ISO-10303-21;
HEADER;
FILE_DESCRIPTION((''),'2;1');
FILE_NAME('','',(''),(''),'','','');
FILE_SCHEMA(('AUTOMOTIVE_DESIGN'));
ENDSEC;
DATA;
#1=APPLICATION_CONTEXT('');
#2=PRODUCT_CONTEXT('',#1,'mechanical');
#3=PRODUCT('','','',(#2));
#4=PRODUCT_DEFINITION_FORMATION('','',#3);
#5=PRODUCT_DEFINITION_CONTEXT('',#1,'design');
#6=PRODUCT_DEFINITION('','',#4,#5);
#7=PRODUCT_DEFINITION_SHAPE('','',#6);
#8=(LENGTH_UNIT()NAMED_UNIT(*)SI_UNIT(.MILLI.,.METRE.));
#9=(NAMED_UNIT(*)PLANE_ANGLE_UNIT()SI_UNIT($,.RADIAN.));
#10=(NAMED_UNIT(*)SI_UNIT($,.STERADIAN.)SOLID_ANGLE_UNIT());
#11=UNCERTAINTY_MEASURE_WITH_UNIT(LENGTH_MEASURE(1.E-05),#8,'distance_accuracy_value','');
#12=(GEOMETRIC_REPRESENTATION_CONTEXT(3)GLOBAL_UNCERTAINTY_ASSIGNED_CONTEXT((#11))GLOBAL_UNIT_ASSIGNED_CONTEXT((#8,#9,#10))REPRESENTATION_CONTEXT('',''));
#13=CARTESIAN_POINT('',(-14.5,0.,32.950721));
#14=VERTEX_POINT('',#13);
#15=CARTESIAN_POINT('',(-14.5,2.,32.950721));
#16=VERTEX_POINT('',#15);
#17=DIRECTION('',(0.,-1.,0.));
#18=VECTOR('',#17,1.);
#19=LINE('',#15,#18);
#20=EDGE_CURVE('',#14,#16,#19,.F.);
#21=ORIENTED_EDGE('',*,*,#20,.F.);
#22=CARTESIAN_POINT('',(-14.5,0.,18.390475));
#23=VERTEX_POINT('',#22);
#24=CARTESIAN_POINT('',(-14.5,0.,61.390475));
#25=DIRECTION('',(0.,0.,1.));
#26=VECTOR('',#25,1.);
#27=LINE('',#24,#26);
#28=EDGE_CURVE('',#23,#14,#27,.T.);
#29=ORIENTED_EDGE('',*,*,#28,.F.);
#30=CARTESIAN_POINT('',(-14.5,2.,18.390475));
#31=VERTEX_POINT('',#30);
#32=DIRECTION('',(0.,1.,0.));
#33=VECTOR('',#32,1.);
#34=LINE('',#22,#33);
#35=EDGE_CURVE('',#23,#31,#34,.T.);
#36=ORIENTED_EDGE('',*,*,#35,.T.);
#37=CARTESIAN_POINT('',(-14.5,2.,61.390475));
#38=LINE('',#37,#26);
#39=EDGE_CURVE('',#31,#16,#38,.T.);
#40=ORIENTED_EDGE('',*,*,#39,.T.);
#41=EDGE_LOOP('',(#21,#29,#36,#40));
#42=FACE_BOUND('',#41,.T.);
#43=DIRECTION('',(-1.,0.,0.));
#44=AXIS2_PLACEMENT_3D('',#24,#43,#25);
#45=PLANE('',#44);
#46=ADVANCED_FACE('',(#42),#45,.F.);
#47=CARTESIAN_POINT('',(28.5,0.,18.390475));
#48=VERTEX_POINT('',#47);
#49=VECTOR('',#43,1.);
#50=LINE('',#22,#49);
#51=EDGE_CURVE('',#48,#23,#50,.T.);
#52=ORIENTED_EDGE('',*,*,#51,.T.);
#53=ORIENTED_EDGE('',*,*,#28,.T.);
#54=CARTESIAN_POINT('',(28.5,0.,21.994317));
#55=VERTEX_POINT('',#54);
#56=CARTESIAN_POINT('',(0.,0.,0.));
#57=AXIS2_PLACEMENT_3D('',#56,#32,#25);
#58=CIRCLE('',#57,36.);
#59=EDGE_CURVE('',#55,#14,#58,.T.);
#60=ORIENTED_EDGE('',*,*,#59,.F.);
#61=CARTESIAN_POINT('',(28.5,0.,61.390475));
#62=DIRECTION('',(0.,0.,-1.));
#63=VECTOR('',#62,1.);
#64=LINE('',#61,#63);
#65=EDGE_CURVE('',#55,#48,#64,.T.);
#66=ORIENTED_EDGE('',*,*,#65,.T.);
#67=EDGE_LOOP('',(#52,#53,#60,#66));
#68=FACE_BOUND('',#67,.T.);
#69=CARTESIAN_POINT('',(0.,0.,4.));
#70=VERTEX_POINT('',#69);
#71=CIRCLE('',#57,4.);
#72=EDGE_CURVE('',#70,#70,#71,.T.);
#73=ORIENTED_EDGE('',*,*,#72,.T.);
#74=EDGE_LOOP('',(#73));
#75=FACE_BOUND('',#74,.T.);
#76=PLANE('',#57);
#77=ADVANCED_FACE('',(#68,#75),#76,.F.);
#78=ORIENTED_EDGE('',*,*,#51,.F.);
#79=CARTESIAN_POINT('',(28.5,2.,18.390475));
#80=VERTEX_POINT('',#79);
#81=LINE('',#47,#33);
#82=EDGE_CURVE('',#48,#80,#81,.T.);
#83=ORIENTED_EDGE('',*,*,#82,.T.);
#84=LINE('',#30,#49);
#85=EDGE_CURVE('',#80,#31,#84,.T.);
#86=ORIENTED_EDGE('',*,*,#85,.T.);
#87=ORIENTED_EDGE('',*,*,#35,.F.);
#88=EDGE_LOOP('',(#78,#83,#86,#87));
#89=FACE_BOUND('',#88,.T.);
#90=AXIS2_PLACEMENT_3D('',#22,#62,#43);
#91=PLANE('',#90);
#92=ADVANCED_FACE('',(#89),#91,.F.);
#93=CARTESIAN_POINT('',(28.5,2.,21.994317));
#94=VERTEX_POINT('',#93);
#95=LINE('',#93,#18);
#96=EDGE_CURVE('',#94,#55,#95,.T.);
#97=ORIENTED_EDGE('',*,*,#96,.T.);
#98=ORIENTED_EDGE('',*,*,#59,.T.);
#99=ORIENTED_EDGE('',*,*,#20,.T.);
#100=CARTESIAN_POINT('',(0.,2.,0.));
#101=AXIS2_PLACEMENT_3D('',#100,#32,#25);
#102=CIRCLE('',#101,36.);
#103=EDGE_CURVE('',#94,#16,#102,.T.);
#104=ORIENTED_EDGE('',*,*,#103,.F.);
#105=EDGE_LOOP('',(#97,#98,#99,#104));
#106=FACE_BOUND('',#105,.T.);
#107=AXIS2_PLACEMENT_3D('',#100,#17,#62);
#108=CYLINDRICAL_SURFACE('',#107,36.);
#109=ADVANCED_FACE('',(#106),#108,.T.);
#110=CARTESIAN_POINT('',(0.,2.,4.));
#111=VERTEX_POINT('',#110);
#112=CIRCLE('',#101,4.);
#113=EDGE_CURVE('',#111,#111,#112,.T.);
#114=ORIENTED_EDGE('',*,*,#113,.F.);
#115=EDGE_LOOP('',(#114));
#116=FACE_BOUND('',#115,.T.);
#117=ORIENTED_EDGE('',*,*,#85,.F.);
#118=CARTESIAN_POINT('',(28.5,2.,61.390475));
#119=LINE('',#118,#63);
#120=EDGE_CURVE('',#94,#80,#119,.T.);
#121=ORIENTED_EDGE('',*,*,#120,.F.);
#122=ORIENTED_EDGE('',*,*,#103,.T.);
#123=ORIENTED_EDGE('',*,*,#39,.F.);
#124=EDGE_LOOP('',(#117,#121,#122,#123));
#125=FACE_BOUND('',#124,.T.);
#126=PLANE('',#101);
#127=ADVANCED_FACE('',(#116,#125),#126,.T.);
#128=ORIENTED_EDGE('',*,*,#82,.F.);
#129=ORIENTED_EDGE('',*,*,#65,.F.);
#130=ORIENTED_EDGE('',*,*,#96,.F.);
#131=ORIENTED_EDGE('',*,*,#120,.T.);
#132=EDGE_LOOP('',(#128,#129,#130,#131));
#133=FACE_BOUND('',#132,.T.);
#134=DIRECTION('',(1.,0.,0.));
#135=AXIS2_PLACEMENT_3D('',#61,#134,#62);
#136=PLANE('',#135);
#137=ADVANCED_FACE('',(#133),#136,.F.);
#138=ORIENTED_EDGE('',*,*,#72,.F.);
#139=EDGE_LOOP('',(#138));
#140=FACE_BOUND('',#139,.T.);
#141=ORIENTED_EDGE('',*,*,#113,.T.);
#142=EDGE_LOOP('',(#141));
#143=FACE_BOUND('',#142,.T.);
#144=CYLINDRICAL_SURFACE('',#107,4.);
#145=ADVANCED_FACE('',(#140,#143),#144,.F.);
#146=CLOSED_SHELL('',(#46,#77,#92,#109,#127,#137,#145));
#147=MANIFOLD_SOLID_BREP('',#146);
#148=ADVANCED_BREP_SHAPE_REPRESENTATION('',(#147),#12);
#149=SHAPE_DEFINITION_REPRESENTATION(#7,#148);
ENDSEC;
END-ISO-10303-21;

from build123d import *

# Parameters (mm, degrees)
SKETCH1_R           = 36
SKETCH1_R_2         = 4
BOSS_EXTRUDE1_DEPTH = 2
SKETCH2_W           = 43
SKETCH2_H           = 43
CUT_EXTRUDE1_DEPTH  = 51.950956811


with BuildPart() as part:
    # Sketch1 → Boss-Extrude1 (new body)
    with BuildSketch(Plane(origin=(0, 0, 0), x_dir=(1, 0, 0), z_dir=(0, 1, 0))):
        with Locations(Location((0, 0, 0), (0, 0, 270))):
            Circle(SKETCH1_R)
        with Locations(Location((0, 0, 0), (0, 0, 270))):
            Circle(SKETCH1_R_2, mode=Mode.SUBTRACT)
    extrude(amount=BOSS_EXTRUDE1_DEPTH)

    # Sketch2 → Cut-Extrude1 (cut, through all)
    with BuildSketch(Plane(origin=(0, 2, 0), x_dir=(1, 0, 0), z_dir=(0, 1, 0))):
        with Locations((7, -39.890475054)):
            Rectangle(SKETCH2_W, SKETCH2_H)
    extrude(amount=-CUT_EXTRUDE1_DEPTH, mode=Mode.SUBTRACT)


solid = part.part
